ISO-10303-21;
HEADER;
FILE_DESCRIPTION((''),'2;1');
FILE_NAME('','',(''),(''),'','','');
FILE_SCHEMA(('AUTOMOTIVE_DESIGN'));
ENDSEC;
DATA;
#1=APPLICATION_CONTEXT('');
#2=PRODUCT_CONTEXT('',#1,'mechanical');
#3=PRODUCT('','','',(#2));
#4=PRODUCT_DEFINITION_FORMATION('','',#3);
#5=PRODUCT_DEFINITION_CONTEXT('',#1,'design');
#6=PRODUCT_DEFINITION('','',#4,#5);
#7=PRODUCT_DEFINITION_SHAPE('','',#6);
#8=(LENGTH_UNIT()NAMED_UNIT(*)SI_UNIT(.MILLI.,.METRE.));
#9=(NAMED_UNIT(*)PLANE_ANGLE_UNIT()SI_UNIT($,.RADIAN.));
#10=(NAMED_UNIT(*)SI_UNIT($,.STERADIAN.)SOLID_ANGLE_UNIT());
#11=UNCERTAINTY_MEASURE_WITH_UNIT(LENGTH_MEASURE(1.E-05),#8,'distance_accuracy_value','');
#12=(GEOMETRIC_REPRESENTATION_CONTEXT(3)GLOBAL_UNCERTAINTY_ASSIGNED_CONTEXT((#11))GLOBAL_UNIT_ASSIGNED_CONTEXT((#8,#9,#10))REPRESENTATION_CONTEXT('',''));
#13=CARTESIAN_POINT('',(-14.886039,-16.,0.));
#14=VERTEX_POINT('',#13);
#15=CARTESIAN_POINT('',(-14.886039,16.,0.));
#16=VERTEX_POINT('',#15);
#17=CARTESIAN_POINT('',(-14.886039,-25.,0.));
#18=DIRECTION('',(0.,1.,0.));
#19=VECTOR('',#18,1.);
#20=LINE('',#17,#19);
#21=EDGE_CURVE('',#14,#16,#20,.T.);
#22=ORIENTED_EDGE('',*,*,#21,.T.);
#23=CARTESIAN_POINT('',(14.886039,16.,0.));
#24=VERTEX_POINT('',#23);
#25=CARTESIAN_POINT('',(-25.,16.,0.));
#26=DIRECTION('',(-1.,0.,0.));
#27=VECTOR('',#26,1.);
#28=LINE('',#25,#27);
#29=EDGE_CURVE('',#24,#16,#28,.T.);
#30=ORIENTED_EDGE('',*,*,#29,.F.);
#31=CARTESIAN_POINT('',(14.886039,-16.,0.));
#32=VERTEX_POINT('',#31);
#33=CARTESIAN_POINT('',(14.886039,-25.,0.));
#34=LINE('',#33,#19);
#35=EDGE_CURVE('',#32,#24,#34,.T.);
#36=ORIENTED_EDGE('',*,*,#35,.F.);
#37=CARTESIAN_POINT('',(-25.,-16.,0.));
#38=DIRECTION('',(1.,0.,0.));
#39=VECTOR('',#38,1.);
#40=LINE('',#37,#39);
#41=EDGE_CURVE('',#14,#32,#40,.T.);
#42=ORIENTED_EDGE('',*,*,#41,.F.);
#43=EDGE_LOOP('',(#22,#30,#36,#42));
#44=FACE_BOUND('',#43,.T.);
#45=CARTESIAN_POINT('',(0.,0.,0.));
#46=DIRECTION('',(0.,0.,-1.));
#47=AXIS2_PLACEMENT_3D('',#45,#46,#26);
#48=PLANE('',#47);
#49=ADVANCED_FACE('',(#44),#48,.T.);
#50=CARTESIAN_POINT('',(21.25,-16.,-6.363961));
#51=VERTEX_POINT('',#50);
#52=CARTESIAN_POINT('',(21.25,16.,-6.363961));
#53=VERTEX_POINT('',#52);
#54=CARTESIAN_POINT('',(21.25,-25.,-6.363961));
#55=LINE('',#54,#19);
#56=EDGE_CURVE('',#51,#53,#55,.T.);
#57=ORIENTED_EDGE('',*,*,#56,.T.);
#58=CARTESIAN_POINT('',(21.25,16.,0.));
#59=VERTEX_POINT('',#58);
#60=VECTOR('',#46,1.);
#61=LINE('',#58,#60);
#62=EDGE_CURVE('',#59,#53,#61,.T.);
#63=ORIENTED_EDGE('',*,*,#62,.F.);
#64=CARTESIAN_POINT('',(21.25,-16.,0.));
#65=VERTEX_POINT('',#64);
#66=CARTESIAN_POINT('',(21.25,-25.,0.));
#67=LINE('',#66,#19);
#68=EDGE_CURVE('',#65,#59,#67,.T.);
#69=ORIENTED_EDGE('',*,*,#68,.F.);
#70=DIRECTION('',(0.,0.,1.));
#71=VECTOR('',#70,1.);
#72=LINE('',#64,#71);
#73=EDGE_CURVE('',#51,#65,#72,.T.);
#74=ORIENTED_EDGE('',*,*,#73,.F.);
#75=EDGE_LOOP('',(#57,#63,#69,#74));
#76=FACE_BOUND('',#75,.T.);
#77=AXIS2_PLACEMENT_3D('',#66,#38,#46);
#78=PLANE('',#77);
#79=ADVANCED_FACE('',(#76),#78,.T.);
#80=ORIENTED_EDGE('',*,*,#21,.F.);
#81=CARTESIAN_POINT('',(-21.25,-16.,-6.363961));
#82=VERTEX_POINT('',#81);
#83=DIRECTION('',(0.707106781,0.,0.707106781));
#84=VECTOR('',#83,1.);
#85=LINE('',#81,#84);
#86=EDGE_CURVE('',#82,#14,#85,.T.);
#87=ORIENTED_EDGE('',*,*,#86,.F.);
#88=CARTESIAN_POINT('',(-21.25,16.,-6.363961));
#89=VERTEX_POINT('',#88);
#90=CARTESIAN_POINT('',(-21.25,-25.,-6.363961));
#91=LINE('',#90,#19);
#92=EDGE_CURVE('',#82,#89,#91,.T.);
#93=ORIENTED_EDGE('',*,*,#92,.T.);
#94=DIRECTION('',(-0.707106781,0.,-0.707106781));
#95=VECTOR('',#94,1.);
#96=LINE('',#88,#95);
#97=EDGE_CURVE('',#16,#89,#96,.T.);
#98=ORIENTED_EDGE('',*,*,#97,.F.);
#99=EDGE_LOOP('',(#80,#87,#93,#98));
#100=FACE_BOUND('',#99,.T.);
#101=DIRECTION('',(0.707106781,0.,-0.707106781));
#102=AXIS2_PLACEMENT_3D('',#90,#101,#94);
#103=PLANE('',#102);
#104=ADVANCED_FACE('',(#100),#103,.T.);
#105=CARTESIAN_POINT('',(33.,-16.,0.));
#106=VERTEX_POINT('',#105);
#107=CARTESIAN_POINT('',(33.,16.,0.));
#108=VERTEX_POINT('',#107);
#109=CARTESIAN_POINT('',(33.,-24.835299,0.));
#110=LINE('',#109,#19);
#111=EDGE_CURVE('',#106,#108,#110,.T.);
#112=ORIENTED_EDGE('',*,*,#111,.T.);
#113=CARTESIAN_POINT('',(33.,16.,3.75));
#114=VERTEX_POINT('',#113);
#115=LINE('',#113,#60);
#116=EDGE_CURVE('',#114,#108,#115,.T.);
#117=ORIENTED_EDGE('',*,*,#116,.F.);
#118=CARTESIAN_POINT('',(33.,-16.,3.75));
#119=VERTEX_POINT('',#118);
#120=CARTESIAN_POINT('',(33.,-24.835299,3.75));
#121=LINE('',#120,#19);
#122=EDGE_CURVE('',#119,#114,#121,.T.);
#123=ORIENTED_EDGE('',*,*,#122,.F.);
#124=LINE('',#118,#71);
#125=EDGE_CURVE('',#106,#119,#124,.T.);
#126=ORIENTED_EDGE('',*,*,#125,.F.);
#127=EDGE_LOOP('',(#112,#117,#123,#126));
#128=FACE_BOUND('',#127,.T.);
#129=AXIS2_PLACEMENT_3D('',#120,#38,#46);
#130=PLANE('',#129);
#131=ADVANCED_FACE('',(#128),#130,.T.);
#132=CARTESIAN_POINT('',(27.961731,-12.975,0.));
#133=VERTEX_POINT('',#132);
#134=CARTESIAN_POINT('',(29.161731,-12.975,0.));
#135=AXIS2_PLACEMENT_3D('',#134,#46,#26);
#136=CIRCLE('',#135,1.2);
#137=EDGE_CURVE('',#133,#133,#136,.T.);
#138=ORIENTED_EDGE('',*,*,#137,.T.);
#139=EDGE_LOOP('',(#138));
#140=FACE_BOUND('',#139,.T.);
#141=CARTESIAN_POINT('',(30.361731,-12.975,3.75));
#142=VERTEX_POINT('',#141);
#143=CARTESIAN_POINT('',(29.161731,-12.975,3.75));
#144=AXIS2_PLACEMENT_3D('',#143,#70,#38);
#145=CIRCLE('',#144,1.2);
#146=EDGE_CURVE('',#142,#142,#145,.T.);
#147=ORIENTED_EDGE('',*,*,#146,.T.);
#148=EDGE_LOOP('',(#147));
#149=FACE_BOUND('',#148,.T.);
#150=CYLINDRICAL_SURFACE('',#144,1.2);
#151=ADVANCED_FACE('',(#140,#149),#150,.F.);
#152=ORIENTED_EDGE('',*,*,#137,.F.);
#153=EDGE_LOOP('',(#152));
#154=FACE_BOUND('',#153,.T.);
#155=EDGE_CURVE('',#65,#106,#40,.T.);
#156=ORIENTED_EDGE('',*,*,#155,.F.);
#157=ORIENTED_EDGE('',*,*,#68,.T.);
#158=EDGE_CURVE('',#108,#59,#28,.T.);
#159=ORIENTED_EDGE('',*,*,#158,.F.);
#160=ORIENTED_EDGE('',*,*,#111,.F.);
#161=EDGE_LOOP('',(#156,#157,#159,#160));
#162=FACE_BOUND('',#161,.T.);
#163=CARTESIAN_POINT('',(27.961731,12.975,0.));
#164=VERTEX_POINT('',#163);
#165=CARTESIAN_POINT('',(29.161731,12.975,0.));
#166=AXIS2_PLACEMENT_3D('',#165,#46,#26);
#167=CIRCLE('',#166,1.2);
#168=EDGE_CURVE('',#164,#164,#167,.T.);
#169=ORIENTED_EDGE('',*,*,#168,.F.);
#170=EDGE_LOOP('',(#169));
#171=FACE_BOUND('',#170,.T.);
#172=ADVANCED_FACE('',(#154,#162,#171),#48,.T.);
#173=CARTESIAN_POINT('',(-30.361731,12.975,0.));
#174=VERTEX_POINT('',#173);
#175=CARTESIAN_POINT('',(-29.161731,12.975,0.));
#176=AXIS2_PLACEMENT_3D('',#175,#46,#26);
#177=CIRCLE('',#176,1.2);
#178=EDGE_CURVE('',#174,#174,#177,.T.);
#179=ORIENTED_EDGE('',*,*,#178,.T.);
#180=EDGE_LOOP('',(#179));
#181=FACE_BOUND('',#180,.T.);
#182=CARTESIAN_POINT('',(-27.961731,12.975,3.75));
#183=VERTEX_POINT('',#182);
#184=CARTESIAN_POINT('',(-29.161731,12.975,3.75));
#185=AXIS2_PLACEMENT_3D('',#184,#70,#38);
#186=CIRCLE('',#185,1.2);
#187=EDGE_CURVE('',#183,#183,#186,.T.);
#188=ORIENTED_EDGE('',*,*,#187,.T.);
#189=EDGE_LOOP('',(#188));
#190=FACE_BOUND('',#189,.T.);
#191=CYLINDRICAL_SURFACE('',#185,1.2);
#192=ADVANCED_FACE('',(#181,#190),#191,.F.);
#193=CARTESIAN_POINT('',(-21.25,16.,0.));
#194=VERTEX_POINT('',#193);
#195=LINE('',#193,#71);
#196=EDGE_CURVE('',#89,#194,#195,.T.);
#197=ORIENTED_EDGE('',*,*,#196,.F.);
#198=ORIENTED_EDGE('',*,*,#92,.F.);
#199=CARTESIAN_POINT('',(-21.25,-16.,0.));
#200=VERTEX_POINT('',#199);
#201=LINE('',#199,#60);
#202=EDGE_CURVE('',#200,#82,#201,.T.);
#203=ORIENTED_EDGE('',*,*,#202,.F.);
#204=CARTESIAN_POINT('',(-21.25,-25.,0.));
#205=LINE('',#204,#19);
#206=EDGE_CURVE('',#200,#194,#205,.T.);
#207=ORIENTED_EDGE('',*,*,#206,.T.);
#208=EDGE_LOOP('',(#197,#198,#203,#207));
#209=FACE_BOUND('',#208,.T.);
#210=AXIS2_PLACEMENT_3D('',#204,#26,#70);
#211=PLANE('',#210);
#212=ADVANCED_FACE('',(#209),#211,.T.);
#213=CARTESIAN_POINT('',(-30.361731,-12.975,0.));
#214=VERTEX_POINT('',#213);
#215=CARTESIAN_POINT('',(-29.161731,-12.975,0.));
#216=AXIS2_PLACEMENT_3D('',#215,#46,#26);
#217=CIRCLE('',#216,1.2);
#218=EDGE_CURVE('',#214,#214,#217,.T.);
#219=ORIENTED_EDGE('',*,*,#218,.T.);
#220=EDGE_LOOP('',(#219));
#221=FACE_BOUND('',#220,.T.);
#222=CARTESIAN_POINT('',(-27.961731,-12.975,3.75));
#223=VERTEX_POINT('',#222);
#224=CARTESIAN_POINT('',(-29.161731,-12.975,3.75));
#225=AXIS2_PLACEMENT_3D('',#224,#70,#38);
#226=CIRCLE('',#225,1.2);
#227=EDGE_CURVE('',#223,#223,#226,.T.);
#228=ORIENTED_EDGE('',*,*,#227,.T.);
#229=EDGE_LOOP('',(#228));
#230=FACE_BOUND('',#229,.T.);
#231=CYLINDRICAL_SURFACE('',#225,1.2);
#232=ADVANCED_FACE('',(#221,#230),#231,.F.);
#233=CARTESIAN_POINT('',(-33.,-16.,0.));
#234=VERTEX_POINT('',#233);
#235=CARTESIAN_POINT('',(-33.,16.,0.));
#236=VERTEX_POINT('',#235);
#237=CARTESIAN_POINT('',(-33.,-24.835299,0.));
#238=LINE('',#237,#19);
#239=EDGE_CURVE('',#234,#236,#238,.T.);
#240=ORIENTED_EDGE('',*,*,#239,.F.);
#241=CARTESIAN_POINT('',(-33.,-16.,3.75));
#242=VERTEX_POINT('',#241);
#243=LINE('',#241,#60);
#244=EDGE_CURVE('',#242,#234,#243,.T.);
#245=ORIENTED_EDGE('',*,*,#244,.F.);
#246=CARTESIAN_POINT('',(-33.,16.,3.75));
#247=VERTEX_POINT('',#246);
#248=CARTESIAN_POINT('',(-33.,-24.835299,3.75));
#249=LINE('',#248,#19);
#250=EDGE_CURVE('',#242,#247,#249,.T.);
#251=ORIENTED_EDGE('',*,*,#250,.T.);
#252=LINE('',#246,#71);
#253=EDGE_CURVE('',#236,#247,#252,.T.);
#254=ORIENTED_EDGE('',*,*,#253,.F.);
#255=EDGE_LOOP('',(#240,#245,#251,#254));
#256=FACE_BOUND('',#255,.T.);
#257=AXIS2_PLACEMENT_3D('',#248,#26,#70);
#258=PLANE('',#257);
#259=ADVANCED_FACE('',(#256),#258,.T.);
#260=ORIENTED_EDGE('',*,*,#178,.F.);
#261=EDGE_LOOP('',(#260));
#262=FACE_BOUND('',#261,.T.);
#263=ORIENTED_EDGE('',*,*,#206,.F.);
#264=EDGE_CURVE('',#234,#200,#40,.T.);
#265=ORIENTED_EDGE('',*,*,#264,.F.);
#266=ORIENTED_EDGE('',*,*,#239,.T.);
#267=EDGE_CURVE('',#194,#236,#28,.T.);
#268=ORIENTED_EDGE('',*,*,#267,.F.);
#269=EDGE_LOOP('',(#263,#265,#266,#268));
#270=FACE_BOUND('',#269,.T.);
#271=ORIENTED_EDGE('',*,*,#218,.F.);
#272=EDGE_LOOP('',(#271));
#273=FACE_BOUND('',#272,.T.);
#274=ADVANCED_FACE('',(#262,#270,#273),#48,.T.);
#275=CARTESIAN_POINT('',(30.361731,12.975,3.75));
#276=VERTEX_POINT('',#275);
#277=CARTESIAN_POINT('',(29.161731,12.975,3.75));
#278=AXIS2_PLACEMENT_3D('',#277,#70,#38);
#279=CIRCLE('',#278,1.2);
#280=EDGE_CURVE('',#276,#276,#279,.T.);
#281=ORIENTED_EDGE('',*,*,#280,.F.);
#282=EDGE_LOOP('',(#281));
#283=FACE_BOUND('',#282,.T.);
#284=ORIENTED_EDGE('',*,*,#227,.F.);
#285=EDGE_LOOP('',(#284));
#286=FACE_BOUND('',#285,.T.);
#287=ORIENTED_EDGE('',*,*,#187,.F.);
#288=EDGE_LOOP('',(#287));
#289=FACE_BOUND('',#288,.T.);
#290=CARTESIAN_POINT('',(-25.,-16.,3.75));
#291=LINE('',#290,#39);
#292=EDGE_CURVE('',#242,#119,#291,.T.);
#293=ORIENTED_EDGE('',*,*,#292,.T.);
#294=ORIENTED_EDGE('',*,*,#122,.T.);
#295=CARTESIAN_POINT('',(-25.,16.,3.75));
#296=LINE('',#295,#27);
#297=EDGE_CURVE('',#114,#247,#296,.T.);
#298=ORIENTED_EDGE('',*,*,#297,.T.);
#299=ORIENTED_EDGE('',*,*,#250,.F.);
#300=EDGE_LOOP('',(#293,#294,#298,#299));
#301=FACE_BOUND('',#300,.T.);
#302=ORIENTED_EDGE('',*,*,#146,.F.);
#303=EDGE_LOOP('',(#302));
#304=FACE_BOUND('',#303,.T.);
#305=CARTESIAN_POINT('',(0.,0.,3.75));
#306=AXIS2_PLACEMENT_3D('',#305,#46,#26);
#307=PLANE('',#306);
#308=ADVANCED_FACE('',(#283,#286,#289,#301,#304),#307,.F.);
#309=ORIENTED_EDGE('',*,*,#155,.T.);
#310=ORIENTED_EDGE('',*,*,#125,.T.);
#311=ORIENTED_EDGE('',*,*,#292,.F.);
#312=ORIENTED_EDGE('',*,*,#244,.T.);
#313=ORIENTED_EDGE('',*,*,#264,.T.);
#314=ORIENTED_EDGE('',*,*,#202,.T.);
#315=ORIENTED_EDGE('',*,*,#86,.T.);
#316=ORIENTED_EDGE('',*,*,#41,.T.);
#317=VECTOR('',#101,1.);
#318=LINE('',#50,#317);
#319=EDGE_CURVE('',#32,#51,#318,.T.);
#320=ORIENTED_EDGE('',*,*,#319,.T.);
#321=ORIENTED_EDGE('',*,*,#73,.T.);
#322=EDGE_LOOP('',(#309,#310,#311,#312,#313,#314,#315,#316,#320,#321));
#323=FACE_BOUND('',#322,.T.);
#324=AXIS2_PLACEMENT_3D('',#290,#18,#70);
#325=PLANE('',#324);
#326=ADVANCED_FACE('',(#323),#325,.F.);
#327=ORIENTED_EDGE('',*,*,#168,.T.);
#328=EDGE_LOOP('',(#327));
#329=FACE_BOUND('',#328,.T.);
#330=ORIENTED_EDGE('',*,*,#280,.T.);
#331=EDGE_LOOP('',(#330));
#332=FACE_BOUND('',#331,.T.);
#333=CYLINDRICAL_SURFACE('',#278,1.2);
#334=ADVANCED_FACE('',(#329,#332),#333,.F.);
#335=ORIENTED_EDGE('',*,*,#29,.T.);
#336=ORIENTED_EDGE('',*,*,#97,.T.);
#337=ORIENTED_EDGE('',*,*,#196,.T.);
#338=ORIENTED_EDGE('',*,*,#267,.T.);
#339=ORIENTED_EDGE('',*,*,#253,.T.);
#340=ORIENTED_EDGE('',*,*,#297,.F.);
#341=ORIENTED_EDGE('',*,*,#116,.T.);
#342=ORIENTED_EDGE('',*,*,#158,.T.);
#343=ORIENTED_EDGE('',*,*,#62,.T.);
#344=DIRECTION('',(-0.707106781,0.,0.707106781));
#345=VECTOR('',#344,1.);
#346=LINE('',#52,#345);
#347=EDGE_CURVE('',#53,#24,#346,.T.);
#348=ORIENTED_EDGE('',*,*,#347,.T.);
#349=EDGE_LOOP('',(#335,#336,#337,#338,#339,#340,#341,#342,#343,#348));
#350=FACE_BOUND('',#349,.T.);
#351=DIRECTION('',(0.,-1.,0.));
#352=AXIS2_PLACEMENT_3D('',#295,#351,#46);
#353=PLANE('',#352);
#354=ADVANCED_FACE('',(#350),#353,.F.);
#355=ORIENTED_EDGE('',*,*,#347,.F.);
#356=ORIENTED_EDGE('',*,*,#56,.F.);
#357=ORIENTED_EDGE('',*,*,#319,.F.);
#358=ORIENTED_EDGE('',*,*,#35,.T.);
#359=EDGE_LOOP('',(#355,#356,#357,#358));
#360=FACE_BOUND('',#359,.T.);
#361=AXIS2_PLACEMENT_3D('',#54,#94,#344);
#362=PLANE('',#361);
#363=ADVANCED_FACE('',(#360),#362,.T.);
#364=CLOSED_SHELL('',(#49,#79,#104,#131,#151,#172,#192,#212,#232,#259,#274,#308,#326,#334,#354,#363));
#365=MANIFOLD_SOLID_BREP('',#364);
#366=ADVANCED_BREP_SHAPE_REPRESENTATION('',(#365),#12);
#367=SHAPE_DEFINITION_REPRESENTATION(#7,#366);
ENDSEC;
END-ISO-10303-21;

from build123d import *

# Parameters (mm, degrees)
SKETCH1_W            = 50
SKETCH1_H            = 32
BOSS_EXTRUDE1_DEPTH  = 3.75
BOSS_EXTRUDE2_DEPTH  = 32
SKETCH4_W            = 8
SKETCH4_H            = 3.75
BOSS_EXTRUDE3_DEPTH  = 32
M2_CLEARANCE_HOLE1_D = 2.4


with BuildPart() as part:
    # Sketch1 → Boss-Extrude1 (new body)
    with BuildSketch(Plane.XY):
        Rectangle(SKETCH1_W, SKETCH1_H)
    extrude(amount=BOSS_EXTRUDE1_DEPTH)

    # Sketch2 → Boss-Extrude2 (add)
    with BuildSketch(Plane(origin=(0, 16, 0), x_dir=(1, 0, 0), z_dir=(0, 1, 0))):
        Polygon((-21.25, 0), (-21.25, 6.363961031), (-14.886038969, 0), align=None)
        Polygon((14.886038969, 0), (21.25, 0), (21.25, 6.363961031), align=None)
    extrude(amount=-BOSS_EXTRUDE2_DEPTH)

    # Sketch4 → Boss-Extrude3 (add)
    with BuildSketch(Plane(origin=(0, 16, 0), x_dir=(1, 0, 0), z_dir=(0, 1, 0))):
        with Locations((29, -1.875)):
            Rectangle(SKETCH4_W, SKETCH4_H)
        with Locations((-29, -1.875)):
            Rectangle(SKETCH4_W, SKETCH4_H)
    extrude(amount=-BOSS_EXTRUDE3_DEPTH)

    # M2 Clearance Hole1 (through all)
    with Locations(Plane.XY.offset(3.75)):
        with Locations((-29.16173141, -12.975), (-29.16173141, 12.975)):
            m2_clearance_hole1 = Hole(M2_CLEARANCE_HOLE1_D / 2)

    # Mirror1: M2 Clearance Hole1 across plane
    add(m2_clearance_hole1.mirror(Plane(origin=(0, 0, 0), x_dir=(0, 0, 1), z_dir=(1, 0, 0))), mode=Mode.SUBTRACT)


solid = part.part
